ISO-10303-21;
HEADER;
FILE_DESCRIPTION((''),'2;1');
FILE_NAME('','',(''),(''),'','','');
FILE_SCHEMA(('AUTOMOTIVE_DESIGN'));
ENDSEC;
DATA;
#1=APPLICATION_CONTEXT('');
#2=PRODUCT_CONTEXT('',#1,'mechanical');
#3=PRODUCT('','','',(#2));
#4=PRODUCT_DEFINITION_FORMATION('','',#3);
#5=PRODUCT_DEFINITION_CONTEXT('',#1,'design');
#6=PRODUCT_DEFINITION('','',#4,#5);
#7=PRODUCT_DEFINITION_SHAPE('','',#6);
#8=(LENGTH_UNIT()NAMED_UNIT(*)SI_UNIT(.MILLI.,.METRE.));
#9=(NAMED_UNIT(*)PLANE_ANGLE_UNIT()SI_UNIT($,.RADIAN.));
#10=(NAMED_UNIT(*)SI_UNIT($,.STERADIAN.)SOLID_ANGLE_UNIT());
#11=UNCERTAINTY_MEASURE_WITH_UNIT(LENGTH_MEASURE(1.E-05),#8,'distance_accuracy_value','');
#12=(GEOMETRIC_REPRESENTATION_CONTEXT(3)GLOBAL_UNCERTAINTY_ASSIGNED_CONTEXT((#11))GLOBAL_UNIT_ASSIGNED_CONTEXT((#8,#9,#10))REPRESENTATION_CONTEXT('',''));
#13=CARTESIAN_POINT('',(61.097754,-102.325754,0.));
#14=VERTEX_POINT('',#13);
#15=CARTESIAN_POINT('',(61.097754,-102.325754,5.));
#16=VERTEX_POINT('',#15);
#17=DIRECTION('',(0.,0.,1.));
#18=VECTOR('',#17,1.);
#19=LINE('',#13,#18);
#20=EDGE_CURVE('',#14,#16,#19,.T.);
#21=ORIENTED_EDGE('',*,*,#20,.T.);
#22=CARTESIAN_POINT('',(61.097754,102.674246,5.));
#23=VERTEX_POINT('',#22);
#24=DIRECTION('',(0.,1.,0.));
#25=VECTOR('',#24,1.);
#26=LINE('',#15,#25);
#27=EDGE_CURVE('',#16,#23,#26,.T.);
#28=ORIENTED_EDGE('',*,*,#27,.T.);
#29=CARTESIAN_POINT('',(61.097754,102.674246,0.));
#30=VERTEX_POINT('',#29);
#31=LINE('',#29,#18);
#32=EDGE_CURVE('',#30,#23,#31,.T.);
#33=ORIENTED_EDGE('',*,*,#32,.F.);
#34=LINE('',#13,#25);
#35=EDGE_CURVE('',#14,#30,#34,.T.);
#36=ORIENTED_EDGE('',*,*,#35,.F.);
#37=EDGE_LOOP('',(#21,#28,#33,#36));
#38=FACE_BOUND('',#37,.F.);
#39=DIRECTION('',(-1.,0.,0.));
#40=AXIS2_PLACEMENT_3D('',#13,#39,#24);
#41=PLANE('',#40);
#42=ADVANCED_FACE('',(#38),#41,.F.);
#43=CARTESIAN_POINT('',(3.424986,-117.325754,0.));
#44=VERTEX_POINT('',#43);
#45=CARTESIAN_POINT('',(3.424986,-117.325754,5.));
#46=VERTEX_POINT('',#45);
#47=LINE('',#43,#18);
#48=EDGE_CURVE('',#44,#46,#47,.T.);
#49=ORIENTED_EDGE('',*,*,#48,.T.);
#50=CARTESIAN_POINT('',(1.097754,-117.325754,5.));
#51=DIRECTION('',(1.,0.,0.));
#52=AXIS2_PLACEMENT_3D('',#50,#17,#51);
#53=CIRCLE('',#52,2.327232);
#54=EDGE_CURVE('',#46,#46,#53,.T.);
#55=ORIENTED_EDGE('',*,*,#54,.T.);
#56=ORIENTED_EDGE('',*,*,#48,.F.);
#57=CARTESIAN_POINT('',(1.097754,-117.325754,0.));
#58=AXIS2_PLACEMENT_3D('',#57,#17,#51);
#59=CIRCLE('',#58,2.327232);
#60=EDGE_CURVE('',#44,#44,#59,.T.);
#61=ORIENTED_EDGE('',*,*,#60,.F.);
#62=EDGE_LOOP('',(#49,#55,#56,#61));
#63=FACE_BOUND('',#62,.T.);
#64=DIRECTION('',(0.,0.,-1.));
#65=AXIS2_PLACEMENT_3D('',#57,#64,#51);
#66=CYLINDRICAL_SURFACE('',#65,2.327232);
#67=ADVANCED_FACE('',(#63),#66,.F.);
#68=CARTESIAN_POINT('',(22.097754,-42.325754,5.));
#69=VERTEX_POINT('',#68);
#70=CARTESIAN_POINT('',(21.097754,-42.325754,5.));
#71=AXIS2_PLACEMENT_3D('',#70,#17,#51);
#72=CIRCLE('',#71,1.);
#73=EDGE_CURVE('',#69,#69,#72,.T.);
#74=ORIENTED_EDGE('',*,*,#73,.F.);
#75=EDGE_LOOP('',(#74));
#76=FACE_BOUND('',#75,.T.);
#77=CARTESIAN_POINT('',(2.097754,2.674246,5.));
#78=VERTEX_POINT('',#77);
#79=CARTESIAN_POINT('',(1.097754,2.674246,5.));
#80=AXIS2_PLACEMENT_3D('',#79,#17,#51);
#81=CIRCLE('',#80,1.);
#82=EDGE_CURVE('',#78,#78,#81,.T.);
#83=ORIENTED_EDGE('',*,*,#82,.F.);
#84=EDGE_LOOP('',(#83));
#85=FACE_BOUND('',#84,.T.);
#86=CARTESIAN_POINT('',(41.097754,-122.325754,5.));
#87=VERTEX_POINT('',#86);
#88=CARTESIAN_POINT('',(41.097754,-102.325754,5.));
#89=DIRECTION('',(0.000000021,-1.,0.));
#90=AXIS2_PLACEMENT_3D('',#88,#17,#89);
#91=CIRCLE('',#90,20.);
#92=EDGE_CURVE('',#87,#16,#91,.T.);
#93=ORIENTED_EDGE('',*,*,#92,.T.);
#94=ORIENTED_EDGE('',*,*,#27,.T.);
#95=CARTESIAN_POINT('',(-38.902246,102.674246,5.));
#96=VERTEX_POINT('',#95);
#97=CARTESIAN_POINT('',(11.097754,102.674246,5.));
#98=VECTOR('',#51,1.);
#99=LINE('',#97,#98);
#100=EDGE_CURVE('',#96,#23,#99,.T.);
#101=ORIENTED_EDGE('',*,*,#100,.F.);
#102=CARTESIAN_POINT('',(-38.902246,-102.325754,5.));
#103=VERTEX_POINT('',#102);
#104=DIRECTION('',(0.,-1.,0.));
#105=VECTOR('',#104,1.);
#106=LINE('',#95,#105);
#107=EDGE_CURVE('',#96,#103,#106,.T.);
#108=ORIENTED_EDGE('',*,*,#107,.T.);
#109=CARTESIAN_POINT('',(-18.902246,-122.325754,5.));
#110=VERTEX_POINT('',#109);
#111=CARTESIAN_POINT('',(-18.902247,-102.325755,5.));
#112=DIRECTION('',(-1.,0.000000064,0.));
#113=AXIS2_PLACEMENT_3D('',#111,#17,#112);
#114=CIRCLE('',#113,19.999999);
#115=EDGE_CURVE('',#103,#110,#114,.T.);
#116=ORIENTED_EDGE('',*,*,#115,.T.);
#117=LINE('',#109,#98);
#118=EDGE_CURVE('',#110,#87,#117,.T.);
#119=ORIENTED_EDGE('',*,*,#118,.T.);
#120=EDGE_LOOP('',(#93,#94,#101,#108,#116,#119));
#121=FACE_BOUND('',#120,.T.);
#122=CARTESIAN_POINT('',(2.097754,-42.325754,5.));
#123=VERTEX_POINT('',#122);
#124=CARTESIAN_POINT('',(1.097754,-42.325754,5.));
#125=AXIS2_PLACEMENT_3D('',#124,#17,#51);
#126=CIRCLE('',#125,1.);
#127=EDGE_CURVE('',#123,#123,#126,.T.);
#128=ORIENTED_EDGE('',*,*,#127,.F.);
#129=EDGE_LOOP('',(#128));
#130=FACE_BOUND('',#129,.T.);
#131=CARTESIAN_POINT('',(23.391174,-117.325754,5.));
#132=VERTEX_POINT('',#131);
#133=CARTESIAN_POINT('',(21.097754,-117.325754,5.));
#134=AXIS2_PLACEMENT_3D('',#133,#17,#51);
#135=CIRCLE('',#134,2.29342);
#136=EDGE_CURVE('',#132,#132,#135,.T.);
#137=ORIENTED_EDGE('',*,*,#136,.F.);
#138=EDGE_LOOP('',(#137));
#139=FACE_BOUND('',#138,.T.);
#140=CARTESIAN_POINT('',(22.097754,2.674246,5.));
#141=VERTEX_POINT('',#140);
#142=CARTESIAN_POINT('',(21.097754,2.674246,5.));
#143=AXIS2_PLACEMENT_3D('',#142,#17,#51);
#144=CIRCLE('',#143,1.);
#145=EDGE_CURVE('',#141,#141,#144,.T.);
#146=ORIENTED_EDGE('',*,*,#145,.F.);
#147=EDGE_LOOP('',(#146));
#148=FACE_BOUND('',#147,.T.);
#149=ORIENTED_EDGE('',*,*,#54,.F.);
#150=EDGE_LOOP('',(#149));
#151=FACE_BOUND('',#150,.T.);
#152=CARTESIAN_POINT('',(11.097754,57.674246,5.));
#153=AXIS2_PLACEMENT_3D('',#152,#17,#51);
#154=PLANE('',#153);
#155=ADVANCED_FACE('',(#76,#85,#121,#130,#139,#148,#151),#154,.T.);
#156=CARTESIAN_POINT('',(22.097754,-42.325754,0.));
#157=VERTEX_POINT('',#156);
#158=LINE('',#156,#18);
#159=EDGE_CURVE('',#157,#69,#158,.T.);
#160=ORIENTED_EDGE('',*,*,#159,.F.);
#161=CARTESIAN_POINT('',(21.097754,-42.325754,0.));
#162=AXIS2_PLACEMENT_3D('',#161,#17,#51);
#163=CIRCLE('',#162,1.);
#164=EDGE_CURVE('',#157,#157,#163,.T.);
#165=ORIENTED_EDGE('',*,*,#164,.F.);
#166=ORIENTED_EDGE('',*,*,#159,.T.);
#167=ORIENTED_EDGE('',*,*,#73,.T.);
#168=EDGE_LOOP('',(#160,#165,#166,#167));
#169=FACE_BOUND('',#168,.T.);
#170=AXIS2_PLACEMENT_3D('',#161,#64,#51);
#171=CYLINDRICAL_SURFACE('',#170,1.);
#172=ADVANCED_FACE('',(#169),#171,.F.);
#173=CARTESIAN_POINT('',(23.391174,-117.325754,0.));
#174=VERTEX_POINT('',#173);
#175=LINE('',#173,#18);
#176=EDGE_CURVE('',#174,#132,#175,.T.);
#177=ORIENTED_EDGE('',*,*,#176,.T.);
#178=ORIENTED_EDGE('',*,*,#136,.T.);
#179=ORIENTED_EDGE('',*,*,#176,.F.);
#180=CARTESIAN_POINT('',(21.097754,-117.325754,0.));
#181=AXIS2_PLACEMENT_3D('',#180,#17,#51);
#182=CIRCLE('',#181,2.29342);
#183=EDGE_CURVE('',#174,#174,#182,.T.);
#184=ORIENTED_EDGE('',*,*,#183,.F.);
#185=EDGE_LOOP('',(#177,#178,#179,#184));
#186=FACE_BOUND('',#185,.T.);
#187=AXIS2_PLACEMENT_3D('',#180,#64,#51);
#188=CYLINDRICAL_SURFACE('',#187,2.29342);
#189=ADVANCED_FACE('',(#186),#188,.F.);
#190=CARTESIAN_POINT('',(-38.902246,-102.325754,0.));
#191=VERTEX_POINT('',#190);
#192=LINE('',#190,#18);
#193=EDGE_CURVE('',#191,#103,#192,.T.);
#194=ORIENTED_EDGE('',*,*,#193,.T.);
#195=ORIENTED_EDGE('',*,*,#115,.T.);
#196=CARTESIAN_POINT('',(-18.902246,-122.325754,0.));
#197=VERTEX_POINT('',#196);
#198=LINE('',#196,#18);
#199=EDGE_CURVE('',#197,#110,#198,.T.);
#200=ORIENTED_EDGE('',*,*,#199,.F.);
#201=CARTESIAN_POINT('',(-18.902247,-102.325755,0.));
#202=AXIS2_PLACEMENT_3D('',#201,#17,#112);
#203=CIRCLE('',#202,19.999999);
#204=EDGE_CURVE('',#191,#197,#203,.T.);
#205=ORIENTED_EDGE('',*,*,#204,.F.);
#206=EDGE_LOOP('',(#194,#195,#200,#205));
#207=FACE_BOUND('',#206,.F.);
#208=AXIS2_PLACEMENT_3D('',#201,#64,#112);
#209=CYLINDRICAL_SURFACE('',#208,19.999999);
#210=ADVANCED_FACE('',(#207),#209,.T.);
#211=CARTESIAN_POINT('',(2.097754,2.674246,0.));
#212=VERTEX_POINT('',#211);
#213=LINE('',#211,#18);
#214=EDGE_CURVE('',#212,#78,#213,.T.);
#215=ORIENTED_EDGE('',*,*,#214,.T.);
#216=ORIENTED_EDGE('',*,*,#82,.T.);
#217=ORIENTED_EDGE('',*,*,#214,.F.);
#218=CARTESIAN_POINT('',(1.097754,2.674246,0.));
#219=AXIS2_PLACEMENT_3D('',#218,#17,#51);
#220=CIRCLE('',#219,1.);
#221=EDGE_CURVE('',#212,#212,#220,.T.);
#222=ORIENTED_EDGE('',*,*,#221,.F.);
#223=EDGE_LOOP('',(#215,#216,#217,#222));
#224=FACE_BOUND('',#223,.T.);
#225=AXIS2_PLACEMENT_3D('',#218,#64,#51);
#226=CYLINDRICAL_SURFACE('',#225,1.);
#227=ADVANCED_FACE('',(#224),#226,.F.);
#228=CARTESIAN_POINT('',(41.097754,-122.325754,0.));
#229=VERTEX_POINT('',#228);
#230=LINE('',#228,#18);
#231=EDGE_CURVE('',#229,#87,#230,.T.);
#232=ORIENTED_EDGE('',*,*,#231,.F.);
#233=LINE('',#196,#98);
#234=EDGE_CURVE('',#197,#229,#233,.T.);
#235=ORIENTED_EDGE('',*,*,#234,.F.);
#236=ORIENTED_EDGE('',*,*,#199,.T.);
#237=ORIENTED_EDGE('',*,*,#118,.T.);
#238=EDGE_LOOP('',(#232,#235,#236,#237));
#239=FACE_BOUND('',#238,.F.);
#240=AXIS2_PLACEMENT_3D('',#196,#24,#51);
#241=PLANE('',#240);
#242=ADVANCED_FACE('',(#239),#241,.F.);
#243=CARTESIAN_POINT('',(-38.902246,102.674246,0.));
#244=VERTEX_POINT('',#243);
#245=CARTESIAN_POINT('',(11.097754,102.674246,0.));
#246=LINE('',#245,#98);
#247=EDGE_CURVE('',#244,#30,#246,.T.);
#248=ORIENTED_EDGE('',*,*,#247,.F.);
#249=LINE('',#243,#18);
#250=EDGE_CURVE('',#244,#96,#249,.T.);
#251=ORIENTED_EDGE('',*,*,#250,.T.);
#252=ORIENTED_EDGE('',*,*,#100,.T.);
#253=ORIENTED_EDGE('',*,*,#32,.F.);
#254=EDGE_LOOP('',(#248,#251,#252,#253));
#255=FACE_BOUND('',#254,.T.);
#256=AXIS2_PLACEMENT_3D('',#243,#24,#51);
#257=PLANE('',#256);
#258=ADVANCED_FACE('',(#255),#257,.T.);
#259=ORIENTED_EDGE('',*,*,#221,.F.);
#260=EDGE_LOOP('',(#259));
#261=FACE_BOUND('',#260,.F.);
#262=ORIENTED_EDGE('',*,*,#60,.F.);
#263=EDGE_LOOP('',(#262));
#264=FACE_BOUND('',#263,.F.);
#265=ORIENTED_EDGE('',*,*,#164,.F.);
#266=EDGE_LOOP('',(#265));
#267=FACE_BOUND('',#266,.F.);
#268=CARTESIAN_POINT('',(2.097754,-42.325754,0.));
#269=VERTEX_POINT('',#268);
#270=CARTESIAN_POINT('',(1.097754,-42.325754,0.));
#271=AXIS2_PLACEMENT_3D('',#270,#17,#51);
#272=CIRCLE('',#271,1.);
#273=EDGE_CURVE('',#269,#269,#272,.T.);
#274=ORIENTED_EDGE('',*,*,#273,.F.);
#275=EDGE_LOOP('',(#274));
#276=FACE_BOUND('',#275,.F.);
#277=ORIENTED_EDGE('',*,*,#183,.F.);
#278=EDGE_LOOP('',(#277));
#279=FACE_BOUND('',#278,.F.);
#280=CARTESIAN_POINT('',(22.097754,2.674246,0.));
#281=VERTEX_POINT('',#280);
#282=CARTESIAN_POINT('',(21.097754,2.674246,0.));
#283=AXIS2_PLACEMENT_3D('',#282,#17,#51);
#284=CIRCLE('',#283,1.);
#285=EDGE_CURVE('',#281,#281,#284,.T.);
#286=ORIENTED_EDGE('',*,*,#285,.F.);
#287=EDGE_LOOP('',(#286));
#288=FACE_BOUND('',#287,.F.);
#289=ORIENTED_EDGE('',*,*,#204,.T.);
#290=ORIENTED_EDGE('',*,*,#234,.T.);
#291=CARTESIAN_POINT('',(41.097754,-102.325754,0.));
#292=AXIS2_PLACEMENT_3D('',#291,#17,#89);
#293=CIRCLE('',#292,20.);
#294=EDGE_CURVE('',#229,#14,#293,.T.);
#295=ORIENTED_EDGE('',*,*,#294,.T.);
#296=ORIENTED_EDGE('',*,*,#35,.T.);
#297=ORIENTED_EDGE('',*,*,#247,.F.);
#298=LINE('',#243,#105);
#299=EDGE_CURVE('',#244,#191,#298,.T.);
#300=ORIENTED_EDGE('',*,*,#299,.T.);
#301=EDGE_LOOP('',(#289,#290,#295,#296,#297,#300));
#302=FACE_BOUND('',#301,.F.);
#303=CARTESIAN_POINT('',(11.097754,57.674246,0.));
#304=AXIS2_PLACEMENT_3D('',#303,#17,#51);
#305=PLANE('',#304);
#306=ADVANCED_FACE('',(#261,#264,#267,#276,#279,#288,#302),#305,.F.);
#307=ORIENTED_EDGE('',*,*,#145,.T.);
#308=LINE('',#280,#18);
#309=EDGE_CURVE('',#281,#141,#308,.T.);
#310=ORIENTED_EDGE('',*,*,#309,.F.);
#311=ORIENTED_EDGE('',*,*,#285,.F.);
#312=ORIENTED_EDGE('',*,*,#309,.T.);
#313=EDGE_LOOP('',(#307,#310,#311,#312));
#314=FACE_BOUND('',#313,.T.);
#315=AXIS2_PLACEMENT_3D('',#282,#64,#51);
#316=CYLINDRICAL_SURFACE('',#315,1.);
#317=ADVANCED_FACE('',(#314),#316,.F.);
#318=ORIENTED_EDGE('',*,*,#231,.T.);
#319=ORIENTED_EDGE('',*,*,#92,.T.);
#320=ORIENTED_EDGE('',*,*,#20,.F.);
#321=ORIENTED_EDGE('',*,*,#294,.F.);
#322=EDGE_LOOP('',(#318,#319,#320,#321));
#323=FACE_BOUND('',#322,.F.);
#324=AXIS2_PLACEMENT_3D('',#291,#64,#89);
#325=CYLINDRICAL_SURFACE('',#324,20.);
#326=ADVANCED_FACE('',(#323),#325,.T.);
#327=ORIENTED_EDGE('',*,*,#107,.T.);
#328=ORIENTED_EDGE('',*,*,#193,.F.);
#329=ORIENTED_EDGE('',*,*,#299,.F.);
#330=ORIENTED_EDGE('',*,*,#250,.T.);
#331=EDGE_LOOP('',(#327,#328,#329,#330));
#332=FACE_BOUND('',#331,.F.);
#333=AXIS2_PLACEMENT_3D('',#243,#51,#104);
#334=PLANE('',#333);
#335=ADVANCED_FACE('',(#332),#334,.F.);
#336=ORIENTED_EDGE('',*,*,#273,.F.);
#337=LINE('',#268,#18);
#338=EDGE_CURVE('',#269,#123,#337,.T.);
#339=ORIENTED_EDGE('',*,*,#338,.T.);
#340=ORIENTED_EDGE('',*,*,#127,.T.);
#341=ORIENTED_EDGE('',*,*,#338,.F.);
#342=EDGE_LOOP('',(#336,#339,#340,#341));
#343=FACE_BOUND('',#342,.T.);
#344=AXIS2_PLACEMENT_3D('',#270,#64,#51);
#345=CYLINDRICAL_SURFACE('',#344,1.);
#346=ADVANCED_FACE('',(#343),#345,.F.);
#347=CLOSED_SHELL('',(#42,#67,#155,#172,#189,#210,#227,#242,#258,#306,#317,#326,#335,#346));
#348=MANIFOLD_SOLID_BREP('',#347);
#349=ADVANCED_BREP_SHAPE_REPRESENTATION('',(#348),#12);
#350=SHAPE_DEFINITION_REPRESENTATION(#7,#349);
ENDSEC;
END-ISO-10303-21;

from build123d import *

# Parameters (mm, degrees)
F0_W     = 100
F0_H     = 90
F0_H_2   = 95
F0_R     = 1
F0_R_2   = 2.327232
F0_R_3   = 2.29342
F1_DEPTH = 5


with BuildPart() as f1:
    # F0 (on Top) → F1 (new body)
    with BuildSketch(Plane.XY):
        with Locations((11.097754, 57.674246)):
            Rectangle(F0_W, F0_H)
        with Locations((11.097754, -34.825754)):
            Rectangle(F0_W, F0_H_2)
        with Locations((1.097754, -42.325754)):
            Circle(F0_R, mode=Mode.SUBTRACT)
        with Locations((21.097754, -42.325754)):
            Circle(F0_R, mode=Mode.SUBTRACT)
        with Locations((1.097754, 2.674246)):
            Circle(F0_R, mode=Mode.SUBTRACT)
        with Locations((21.097754, 2.674246)):
            Circle(F0_R, mode=Mode.SUBTRACT)
        with BuildLine():
            Line((61.097754, -82.325754), (-38.902246, -82.325754))
            Line((-38.902246, -82.325754), (-38.902246, -102.325754))
            ThreePointArc((-38.902246, -102.325754), (-33.044382, -116.46789), (-18.902246, -122.325754))
            Line((-18.902246, -122.325754), (41.097754, -122.325754))
            ThreePointArc((41.097754, -122.325754), (55.239889, -116.46789), (61.097754, -102.325754))
            Line((61.097754, -102.325754), (61.097754, -82.325754))
        make_face()
        with Locations((1.097754, -117.325754)):
            Circle(F0_R_2, mode=Mode.SUBTRACT)
        with Locations((21.097754, -117.325754)):
            Circle(F0_R_3, mode=Mode.SUBTRACT)
    extrude(amount=F1_DEPTH)


solid = f1.part
